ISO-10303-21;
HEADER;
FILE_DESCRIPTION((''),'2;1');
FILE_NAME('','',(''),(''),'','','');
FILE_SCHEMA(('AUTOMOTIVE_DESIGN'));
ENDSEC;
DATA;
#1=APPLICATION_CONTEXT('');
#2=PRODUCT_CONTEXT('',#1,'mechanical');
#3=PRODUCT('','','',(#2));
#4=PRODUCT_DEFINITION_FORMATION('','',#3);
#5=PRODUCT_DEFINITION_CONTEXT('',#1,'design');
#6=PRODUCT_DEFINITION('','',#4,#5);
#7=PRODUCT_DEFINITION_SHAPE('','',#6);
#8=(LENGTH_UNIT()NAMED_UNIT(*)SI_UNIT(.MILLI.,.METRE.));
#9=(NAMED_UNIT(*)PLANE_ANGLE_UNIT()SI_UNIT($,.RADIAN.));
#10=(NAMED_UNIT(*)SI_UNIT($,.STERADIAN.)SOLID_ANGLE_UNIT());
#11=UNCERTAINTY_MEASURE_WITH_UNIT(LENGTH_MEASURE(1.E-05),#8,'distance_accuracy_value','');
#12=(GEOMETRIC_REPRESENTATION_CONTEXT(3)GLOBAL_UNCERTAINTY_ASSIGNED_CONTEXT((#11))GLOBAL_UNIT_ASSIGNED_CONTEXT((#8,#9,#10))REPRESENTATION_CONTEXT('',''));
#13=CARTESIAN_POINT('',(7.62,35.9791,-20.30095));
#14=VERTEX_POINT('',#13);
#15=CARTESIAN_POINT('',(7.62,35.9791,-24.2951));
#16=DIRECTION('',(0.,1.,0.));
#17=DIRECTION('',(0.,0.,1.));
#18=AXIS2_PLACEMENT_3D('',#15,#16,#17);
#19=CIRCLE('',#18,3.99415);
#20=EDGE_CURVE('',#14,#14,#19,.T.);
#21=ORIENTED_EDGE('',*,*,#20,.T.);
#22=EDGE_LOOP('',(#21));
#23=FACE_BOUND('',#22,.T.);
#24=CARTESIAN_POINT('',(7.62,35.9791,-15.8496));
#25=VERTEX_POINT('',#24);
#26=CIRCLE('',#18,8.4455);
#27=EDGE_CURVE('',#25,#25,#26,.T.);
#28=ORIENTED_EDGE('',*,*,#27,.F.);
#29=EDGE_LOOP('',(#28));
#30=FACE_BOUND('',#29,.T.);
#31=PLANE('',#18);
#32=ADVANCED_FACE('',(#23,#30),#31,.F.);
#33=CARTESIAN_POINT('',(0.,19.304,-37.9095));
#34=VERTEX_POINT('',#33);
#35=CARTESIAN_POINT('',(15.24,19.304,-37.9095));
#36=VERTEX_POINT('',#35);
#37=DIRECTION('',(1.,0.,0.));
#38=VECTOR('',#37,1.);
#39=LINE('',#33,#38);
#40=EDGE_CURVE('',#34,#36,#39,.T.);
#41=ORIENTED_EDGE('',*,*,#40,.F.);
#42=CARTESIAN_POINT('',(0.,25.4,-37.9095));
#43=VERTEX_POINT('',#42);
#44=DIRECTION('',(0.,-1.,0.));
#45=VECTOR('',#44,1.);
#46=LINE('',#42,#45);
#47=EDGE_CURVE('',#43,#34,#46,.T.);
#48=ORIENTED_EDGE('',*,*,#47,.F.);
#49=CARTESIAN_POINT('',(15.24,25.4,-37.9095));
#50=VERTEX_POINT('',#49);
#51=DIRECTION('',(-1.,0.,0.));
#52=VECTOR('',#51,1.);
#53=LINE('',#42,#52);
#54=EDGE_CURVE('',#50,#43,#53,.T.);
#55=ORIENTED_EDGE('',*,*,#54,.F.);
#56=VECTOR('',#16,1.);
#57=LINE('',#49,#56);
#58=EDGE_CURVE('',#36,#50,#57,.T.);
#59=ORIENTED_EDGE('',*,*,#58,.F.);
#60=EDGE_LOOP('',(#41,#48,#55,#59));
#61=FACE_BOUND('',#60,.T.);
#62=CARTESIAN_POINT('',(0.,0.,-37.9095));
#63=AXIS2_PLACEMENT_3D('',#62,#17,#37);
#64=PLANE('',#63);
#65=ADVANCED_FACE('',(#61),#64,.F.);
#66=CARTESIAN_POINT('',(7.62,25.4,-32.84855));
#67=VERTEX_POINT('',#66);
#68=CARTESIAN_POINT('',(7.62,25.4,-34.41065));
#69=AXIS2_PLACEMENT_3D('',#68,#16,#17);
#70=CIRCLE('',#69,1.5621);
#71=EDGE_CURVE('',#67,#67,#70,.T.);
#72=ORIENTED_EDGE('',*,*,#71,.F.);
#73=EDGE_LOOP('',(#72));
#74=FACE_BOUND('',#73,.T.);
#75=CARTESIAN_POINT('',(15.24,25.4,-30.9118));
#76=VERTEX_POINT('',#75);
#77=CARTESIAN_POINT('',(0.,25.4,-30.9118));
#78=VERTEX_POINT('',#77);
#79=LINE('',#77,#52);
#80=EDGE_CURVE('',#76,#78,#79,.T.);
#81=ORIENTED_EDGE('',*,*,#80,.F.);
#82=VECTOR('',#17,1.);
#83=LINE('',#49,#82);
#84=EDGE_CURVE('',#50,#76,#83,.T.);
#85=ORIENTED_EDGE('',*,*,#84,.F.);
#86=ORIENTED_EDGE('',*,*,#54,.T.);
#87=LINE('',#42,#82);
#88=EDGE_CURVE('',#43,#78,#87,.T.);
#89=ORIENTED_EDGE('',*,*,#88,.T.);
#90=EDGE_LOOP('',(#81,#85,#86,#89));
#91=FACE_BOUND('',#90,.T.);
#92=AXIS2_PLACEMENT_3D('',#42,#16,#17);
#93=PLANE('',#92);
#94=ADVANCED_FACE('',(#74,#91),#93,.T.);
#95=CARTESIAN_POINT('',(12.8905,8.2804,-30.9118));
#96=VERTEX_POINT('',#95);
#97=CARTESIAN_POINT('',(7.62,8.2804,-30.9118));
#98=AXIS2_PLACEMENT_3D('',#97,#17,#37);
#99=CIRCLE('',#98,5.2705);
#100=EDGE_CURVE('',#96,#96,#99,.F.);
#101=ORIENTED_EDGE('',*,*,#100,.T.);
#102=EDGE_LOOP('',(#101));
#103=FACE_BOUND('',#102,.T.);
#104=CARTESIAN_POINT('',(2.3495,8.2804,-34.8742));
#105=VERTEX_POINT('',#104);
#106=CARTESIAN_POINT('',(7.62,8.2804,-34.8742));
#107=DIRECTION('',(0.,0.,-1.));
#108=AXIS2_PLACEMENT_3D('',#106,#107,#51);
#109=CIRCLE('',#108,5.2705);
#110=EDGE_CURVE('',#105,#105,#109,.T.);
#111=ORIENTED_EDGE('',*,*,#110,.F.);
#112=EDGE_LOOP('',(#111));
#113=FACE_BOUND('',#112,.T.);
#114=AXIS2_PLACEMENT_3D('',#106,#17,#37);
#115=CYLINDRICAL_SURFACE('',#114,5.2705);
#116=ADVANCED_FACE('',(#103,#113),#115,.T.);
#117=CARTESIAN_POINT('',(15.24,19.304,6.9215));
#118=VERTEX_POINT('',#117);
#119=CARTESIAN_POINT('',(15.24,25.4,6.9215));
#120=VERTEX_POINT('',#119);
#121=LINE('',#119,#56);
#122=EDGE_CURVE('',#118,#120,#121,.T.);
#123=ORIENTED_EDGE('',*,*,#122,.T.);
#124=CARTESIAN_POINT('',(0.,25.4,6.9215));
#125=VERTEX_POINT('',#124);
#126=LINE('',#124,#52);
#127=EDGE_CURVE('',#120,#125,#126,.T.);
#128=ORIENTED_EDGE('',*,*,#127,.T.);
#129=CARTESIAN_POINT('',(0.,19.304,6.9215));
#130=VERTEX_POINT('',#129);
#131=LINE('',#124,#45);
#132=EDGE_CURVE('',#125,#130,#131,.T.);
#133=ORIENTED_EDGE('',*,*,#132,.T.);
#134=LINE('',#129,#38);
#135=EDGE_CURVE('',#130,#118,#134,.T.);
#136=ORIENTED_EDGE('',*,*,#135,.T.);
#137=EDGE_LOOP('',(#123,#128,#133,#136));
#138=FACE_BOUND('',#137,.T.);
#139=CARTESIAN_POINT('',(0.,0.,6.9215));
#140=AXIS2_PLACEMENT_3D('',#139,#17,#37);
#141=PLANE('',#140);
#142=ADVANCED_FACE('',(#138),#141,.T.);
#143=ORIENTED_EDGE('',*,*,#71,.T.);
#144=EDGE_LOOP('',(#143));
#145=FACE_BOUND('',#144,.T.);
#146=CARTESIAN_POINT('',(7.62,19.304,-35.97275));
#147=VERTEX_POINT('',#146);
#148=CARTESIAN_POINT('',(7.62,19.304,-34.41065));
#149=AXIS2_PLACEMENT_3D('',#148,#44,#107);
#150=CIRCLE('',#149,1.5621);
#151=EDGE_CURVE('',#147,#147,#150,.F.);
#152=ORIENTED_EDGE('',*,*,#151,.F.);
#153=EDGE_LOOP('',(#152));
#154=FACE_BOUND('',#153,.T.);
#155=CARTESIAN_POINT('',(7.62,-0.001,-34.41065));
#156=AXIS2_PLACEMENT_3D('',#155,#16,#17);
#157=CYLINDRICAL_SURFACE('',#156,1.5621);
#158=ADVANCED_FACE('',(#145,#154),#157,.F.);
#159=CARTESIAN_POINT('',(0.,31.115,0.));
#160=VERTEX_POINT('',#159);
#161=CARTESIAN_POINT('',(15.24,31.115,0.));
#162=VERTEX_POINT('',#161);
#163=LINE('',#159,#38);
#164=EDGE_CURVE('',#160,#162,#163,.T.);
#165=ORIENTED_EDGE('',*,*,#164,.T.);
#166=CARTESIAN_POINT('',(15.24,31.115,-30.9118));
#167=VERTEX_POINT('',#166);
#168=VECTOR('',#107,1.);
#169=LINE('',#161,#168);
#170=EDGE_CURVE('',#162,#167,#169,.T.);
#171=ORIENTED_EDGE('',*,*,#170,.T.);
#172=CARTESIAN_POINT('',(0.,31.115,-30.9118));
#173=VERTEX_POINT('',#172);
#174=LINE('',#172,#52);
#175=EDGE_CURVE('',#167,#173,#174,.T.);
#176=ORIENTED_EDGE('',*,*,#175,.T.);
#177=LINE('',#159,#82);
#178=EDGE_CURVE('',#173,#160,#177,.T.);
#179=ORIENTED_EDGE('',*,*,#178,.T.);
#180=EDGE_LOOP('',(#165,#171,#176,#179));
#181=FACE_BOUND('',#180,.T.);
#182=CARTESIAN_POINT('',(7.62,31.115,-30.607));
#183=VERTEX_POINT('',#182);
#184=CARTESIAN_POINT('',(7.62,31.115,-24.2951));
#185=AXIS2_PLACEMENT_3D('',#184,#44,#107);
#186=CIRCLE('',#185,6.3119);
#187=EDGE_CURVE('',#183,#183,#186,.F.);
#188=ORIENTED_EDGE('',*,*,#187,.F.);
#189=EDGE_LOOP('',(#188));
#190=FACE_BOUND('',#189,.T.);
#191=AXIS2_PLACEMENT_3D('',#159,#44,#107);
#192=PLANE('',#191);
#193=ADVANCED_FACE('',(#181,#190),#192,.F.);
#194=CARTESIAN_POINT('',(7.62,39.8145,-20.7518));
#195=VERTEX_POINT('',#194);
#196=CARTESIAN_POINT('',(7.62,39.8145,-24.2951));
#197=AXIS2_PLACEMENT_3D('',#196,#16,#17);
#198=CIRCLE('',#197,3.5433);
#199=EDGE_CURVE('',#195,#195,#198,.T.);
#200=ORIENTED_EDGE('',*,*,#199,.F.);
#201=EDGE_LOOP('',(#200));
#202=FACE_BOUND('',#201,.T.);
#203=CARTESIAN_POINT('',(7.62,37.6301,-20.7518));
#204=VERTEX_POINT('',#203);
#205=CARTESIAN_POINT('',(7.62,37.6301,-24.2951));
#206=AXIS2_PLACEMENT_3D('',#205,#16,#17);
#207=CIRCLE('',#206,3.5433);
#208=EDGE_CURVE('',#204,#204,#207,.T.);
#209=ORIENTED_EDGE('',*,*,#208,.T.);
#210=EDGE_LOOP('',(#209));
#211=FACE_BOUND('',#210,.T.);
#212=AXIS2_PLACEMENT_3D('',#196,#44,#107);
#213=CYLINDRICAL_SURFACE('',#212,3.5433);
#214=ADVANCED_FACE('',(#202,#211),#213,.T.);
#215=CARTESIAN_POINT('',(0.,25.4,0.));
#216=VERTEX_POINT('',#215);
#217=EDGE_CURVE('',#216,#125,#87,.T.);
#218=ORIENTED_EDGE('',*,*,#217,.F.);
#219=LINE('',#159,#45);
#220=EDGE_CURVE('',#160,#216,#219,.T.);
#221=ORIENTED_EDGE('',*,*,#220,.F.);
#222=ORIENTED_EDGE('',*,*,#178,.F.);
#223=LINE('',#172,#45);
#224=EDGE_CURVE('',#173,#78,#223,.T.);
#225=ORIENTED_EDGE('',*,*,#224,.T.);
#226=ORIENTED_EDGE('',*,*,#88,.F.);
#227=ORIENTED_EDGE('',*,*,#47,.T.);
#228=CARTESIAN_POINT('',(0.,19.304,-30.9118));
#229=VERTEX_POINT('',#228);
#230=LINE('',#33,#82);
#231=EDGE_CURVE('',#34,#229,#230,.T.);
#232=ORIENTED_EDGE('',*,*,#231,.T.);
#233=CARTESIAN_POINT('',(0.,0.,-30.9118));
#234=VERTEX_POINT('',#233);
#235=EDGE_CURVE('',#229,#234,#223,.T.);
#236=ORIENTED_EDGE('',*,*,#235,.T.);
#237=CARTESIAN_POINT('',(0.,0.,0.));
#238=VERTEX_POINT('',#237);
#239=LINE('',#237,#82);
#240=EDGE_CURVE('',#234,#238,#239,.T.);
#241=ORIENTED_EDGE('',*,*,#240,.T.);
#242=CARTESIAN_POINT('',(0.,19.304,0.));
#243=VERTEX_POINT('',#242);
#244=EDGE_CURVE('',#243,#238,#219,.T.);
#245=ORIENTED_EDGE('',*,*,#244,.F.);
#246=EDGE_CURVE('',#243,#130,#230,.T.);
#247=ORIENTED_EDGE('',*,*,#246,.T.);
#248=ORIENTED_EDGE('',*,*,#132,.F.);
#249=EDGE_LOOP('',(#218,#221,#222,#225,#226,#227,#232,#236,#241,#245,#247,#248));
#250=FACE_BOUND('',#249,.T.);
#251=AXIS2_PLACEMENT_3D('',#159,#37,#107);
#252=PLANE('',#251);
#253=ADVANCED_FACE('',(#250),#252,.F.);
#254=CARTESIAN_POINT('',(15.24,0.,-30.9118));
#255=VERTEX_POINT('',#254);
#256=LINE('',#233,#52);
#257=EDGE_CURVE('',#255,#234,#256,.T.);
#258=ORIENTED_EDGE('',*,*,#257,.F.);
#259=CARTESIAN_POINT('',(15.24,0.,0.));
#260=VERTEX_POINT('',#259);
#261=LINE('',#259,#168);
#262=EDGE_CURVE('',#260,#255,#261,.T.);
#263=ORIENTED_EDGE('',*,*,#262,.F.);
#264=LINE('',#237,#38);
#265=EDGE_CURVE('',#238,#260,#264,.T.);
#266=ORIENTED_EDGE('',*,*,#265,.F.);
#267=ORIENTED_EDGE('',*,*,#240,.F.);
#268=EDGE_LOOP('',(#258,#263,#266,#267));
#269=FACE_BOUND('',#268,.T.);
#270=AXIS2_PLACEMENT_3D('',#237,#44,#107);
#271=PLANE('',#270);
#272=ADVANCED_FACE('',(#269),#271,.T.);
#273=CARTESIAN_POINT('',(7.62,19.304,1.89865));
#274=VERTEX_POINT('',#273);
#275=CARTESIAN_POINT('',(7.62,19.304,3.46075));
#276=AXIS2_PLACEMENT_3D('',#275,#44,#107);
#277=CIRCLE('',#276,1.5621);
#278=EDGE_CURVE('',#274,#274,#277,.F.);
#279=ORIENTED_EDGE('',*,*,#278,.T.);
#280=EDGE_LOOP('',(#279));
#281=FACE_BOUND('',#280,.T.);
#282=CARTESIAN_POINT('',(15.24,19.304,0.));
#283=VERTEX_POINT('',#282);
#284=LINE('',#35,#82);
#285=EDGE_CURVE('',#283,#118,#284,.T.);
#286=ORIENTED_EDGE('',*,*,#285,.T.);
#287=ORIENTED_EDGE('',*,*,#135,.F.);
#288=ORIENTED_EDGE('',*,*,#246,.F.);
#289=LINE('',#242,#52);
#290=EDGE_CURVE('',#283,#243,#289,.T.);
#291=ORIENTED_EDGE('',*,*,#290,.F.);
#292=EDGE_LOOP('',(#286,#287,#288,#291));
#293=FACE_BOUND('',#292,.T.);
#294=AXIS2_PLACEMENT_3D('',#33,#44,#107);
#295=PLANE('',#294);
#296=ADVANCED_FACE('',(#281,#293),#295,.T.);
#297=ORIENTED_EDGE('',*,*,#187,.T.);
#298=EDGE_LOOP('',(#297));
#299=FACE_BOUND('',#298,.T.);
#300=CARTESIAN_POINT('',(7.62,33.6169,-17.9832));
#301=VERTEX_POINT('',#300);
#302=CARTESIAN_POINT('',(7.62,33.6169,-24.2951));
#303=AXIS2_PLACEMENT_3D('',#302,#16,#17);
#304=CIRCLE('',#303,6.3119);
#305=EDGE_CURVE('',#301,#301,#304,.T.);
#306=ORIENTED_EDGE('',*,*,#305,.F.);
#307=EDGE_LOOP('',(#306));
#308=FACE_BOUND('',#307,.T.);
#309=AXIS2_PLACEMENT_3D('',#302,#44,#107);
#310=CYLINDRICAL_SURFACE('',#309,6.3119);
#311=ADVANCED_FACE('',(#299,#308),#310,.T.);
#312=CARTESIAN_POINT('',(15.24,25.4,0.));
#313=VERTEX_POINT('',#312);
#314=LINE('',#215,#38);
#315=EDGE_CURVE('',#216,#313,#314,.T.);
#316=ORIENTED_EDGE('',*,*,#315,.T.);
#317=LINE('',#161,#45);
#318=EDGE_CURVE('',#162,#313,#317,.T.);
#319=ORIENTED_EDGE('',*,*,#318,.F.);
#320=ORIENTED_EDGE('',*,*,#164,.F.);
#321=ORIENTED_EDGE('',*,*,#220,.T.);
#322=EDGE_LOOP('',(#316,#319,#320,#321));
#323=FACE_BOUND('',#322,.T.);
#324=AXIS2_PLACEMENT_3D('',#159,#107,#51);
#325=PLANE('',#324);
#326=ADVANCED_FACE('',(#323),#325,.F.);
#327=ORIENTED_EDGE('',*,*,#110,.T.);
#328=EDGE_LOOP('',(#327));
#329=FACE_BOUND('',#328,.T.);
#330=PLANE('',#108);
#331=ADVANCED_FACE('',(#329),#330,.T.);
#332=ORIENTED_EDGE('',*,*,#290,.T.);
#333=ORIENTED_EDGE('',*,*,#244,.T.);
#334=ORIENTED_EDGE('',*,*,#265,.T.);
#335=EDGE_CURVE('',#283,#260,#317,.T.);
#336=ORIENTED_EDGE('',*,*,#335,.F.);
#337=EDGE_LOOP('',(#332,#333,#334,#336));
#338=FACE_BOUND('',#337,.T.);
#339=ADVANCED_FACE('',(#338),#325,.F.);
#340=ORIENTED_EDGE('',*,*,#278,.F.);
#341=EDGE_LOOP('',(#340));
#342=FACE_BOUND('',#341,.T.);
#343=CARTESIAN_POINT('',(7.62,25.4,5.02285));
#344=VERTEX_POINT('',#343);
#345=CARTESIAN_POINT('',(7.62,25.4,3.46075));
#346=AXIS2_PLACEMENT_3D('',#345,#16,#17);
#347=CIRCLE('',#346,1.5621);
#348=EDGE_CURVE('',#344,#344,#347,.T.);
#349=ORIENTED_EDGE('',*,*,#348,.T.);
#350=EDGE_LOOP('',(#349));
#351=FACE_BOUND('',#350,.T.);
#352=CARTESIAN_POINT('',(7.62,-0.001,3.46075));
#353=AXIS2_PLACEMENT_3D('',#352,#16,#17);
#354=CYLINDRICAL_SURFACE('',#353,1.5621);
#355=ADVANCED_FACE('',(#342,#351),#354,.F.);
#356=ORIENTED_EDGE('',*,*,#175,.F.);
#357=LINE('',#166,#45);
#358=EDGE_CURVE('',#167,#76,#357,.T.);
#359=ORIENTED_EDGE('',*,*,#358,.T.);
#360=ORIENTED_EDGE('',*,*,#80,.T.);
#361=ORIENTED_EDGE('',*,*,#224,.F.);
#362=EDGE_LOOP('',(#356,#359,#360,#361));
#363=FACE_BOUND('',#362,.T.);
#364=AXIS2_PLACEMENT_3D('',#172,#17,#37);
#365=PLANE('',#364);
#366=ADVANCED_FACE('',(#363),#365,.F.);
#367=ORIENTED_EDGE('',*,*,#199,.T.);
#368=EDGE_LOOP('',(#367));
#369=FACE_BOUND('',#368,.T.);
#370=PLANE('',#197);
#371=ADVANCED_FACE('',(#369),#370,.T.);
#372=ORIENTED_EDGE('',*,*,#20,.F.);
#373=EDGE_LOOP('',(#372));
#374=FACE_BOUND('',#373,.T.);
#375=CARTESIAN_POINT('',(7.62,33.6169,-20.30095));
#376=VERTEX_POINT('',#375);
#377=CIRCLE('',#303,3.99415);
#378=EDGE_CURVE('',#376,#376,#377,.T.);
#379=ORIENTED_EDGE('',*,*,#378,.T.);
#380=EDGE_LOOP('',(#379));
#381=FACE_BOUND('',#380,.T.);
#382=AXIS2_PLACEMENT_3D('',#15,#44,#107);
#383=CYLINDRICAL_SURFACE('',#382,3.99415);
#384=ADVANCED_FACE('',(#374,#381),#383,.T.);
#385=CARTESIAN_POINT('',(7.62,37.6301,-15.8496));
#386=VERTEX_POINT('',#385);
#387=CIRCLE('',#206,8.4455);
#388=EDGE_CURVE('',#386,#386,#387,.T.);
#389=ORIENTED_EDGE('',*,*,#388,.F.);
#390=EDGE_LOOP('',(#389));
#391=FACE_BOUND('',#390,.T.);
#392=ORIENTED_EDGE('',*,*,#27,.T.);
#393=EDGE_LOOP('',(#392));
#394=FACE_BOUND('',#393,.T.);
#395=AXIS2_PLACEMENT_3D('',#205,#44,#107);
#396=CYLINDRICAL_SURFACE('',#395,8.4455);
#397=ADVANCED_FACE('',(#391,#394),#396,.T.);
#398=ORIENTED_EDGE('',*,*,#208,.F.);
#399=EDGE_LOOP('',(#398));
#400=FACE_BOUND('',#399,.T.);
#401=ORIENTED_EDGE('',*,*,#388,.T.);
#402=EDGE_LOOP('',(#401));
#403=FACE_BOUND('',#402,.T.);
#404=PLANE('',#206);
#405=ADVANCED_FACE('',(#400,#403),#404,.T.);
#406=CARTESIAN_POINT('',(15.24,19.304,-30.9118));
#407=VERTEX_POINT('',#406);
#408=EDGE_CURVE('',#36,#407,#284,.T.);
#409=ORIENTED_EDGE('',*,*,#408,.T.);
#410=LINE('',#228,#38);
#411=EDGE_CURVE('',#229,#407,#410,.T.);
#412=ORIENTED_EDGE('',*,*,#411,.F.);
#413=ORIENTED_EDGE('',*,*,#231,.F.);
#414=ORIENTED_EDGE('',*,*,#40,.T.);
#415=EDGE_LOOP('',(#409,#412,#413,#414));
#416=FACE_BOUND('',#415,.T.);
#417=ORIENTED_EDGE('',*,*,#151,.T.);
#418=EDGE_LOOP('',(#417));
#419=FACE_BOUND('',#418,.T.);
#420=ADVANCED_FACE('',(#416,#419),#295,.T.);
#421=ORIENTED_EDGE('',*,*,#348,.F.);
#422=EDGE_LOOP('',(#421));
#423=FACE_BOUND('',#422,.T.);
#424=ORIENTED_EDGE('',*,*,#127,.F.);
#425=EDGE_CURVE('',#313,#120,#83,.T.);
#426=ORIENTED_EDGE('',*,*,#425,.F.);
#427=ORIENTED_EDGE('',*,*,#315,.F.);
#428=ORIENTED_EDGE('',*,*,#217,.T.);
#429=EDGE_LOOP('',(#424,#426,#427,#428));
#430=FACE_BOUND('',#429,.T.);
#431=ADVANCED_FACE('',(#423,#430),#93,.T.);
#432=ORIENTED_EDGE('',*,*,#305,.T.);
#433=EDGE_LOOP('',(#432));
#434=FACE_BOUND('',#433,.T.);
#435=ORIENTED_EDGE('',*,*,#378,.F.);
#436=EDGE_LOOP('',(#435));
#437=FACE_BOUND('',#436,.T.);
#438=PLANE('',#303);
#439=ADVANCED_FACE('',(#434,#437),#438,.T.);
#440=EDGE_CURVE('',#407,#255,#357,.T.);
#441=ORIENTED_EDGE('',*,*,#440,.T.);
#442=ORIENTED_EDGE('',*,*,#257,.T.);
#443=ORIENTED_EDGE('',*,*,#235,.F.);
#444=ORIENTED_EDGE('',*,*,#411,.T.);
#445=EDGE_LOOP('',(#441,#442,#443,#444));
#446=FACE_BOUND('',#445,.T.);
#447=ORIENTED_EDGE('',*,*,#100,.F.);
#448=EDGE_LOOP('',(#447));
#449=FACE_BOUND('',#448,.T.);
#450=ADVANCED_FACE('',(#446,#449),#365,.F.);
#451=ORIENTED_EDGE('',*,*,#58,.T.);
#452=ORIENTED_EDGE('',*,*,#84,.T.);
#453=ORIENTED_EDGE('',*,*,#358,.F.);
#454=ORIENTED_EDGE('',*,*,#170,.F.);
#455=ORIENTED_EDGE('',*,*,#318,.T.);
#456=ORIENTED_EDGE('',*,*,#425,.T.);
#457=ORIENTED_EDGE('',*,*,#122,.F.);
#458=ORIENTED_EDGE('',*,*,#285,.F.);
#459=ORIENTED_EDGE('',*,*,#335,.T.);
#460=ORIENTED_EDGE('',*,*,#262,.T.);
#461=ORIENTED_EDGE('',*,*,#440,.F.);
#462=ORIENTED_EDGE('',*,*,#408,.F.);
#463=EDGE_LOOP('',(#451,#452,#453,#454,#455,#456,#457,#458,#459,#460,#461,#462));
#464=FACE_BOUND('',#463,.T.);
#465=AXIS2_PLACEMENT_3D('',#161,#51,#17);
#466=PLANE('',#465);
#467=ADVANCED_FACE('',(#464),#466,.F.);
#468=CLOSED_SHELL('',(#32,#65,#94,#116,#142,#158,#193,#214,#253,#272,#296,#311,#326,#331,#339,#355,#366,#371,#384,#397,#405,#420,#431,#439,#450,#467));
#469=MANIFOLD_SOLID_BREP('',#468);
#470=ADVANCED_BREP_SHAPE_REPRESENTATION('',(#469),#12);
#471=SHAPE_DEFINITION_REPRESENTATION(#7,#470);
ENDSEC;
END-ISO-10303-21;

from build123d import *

# Parameters (mm, degrees)
SKETCH1_W                = 15.24
SKETCH1_H                = 30.9118
BOSS_EXTRUDE1_DEPTH      = 31.115
SKETCH2_W                = 15.24
SKETCH2_H                = 6.096
BOSS_EXTRUDE2_DEPTH      = 6.9215
BOSS_EXTRUDE2_DEPTH_BACK = 37.9095
SKETCH3_R                = 5.2705
BOSS_EXTRUDE3_DEPTH      = 3.9624
SKETCH4_R                = 6.3119
BOSS_EXTRUDE4_DEPTH      = 2.5019
SKETCH5_R                = 3.99415
BOSS_EXTRUDE5_DEPTH      = 2.3622
SKETCH6_R                = 8.4455
BOSS_EXTRUDE6_DEPTH      = 1.651
SKETCH7_R                = 3.5433
BOSS_EXTRUDE7_DEPTH      = 2.1844
CUT_EXTRUDE1_REACH       = 27.4
SKETCH8_R                = 1.5621
CUT_EXTRUDE2_REACH       = 27.4
SKETCH9_R                = 1.5621


with BuildPart() as part:
    # Sketch1 → Boss-Extrude1 (new body)
    with BuildSketch(Plane(origin=(0, 0, 0), x_dir=(1, 0, 0), z_dir=(0, 1, 0))):
        with Locations((7.62, 15.4559)):
            Rectangle(SKETCH1_W, SKETCH1_H)
    extrude(amount=BOSS_EXTRUDE1_DEPTH)

    # Sketch2 → Boss-Extrude2 (add, two sides)
    with BuildSketch(Plane.XY) as boss_extrude2_sk:
        with Locations((7.62, 22.352)):
            Rectangle(SKETCH2_W, SKETCH2_H)
    extrude(amount=BOSS_EXTRUDE2_DEPTH)
    extrude(boss_extrude2_sk.sketch, amount=-BOSS_EXTRUDE2_DEPTH_BACK)

    # Sketch3 → Boss-Extrude3 (add)
    with BuildSketch(Plane(origin=(0, 0, -30.9118), x_dir=(-1, 0, 0), z_dir=(0, 0, -1))):
        with Locations((-7.62, 8.2804)):
            Circle(SKETCH3_R)
    extrude(amount=BOSS_EXTRUDE3_DEPTH)

    # Sketch4 → Boss-Extrude4 (add)
    with BuildSketch(Plane(origin=(0, 31.115, 0), x_dir=(1, 0, 0), z_dir=(0, 1, 0))):
        with Locations((7.62, 24.2951)):
            Circle(SKETCH4_R)
    extrude(amount=BOSS_EXTRUDE4_DEPTH)

    # Sketch5 → Boss-Extrude5 (add)
    with BuildSketch(Plane(origin=(0, 33.6169, 0), x_dir=(1, 0, 0), z_dir=(0, 1, 0))):
        with Locations((7.62, 24.2951)):
            Circle(SKETCH5_R)
    extrude(amount=BOSS_EXTRUDE5_DEPTH)

    # Sketch6 → Boss-Extrude6 (add)
    with BuildSketch(Plane(origin=(0, 35.9791, 0), x_dir=(1, 0, 0), z_dir=(0, 1, 0))):
        with Locations((7.62, 24.2951)):
            Circle(SKETCH6_R)
    extrude(amount=BOSS_EXTRUDE6_DEPTH)

    # Sketch7 → Boss-Extrude7 (add)
    with BuildSketch(Plane(origin=(0, 37.6301, 0), x_dir=(1, 0, 0), z_dir=(0, 1, 0))):
        with Locations((7.62, 24.2951)):
            Circle(SKETCH7_R)
    extrude(amount=BOSS_EXTRUDE7_DEPTH)

    # Sketch8 → Cut-Extrude1 (cut, up to next)
    with BuildSketch(Plane(origin=(0, 25.4, 0), x_dir=(1, 0, 0), z_dir=(0, 1, 0)), mode=Mode.PRIVATE) as cut_extrude1_sk1:
        with Locations((7.62, -3.46075)):
            Circle(SKETCH8_R)
    cut_extrude1_tool1 = extrude(cut_extrude1_sk1.sketch, amount=-CUT_EXTRUDE1_REACH, mode=Mode.PRIVATE) & part.part
    add(cut_extrude1_tool1.solids().sort_by_distance((7.62, 25.4, 3.46075))[0], mode=Mode.SUBTRACT)

    # Sketch9 → Cut-Extrude2 (cut, up to next)
    with BuildSketch(Plane(origin=(0, 25.4, 0), x_dir=(1, 0, 0), z_dir=(0, 1, 0)), mode=Mode.PRIVATE) as cut_extrude2_sk1:
        with Locations((7.62, 34.41065)):
            Circle(SKETCH9_R)
    cut_extrude2_tool1 = extrude(cut_extrude2_sk1.sketch, amount=-CUT_EXTRUDE2_REACH, mode=Mode.PRIVATE) & part.part
    add(cut_extrude2_tool1.solids().sort_by_distance((7.62, 25.4, -34.41065))[0], mode=Mode.SUBTRACT)


solid = part.part
